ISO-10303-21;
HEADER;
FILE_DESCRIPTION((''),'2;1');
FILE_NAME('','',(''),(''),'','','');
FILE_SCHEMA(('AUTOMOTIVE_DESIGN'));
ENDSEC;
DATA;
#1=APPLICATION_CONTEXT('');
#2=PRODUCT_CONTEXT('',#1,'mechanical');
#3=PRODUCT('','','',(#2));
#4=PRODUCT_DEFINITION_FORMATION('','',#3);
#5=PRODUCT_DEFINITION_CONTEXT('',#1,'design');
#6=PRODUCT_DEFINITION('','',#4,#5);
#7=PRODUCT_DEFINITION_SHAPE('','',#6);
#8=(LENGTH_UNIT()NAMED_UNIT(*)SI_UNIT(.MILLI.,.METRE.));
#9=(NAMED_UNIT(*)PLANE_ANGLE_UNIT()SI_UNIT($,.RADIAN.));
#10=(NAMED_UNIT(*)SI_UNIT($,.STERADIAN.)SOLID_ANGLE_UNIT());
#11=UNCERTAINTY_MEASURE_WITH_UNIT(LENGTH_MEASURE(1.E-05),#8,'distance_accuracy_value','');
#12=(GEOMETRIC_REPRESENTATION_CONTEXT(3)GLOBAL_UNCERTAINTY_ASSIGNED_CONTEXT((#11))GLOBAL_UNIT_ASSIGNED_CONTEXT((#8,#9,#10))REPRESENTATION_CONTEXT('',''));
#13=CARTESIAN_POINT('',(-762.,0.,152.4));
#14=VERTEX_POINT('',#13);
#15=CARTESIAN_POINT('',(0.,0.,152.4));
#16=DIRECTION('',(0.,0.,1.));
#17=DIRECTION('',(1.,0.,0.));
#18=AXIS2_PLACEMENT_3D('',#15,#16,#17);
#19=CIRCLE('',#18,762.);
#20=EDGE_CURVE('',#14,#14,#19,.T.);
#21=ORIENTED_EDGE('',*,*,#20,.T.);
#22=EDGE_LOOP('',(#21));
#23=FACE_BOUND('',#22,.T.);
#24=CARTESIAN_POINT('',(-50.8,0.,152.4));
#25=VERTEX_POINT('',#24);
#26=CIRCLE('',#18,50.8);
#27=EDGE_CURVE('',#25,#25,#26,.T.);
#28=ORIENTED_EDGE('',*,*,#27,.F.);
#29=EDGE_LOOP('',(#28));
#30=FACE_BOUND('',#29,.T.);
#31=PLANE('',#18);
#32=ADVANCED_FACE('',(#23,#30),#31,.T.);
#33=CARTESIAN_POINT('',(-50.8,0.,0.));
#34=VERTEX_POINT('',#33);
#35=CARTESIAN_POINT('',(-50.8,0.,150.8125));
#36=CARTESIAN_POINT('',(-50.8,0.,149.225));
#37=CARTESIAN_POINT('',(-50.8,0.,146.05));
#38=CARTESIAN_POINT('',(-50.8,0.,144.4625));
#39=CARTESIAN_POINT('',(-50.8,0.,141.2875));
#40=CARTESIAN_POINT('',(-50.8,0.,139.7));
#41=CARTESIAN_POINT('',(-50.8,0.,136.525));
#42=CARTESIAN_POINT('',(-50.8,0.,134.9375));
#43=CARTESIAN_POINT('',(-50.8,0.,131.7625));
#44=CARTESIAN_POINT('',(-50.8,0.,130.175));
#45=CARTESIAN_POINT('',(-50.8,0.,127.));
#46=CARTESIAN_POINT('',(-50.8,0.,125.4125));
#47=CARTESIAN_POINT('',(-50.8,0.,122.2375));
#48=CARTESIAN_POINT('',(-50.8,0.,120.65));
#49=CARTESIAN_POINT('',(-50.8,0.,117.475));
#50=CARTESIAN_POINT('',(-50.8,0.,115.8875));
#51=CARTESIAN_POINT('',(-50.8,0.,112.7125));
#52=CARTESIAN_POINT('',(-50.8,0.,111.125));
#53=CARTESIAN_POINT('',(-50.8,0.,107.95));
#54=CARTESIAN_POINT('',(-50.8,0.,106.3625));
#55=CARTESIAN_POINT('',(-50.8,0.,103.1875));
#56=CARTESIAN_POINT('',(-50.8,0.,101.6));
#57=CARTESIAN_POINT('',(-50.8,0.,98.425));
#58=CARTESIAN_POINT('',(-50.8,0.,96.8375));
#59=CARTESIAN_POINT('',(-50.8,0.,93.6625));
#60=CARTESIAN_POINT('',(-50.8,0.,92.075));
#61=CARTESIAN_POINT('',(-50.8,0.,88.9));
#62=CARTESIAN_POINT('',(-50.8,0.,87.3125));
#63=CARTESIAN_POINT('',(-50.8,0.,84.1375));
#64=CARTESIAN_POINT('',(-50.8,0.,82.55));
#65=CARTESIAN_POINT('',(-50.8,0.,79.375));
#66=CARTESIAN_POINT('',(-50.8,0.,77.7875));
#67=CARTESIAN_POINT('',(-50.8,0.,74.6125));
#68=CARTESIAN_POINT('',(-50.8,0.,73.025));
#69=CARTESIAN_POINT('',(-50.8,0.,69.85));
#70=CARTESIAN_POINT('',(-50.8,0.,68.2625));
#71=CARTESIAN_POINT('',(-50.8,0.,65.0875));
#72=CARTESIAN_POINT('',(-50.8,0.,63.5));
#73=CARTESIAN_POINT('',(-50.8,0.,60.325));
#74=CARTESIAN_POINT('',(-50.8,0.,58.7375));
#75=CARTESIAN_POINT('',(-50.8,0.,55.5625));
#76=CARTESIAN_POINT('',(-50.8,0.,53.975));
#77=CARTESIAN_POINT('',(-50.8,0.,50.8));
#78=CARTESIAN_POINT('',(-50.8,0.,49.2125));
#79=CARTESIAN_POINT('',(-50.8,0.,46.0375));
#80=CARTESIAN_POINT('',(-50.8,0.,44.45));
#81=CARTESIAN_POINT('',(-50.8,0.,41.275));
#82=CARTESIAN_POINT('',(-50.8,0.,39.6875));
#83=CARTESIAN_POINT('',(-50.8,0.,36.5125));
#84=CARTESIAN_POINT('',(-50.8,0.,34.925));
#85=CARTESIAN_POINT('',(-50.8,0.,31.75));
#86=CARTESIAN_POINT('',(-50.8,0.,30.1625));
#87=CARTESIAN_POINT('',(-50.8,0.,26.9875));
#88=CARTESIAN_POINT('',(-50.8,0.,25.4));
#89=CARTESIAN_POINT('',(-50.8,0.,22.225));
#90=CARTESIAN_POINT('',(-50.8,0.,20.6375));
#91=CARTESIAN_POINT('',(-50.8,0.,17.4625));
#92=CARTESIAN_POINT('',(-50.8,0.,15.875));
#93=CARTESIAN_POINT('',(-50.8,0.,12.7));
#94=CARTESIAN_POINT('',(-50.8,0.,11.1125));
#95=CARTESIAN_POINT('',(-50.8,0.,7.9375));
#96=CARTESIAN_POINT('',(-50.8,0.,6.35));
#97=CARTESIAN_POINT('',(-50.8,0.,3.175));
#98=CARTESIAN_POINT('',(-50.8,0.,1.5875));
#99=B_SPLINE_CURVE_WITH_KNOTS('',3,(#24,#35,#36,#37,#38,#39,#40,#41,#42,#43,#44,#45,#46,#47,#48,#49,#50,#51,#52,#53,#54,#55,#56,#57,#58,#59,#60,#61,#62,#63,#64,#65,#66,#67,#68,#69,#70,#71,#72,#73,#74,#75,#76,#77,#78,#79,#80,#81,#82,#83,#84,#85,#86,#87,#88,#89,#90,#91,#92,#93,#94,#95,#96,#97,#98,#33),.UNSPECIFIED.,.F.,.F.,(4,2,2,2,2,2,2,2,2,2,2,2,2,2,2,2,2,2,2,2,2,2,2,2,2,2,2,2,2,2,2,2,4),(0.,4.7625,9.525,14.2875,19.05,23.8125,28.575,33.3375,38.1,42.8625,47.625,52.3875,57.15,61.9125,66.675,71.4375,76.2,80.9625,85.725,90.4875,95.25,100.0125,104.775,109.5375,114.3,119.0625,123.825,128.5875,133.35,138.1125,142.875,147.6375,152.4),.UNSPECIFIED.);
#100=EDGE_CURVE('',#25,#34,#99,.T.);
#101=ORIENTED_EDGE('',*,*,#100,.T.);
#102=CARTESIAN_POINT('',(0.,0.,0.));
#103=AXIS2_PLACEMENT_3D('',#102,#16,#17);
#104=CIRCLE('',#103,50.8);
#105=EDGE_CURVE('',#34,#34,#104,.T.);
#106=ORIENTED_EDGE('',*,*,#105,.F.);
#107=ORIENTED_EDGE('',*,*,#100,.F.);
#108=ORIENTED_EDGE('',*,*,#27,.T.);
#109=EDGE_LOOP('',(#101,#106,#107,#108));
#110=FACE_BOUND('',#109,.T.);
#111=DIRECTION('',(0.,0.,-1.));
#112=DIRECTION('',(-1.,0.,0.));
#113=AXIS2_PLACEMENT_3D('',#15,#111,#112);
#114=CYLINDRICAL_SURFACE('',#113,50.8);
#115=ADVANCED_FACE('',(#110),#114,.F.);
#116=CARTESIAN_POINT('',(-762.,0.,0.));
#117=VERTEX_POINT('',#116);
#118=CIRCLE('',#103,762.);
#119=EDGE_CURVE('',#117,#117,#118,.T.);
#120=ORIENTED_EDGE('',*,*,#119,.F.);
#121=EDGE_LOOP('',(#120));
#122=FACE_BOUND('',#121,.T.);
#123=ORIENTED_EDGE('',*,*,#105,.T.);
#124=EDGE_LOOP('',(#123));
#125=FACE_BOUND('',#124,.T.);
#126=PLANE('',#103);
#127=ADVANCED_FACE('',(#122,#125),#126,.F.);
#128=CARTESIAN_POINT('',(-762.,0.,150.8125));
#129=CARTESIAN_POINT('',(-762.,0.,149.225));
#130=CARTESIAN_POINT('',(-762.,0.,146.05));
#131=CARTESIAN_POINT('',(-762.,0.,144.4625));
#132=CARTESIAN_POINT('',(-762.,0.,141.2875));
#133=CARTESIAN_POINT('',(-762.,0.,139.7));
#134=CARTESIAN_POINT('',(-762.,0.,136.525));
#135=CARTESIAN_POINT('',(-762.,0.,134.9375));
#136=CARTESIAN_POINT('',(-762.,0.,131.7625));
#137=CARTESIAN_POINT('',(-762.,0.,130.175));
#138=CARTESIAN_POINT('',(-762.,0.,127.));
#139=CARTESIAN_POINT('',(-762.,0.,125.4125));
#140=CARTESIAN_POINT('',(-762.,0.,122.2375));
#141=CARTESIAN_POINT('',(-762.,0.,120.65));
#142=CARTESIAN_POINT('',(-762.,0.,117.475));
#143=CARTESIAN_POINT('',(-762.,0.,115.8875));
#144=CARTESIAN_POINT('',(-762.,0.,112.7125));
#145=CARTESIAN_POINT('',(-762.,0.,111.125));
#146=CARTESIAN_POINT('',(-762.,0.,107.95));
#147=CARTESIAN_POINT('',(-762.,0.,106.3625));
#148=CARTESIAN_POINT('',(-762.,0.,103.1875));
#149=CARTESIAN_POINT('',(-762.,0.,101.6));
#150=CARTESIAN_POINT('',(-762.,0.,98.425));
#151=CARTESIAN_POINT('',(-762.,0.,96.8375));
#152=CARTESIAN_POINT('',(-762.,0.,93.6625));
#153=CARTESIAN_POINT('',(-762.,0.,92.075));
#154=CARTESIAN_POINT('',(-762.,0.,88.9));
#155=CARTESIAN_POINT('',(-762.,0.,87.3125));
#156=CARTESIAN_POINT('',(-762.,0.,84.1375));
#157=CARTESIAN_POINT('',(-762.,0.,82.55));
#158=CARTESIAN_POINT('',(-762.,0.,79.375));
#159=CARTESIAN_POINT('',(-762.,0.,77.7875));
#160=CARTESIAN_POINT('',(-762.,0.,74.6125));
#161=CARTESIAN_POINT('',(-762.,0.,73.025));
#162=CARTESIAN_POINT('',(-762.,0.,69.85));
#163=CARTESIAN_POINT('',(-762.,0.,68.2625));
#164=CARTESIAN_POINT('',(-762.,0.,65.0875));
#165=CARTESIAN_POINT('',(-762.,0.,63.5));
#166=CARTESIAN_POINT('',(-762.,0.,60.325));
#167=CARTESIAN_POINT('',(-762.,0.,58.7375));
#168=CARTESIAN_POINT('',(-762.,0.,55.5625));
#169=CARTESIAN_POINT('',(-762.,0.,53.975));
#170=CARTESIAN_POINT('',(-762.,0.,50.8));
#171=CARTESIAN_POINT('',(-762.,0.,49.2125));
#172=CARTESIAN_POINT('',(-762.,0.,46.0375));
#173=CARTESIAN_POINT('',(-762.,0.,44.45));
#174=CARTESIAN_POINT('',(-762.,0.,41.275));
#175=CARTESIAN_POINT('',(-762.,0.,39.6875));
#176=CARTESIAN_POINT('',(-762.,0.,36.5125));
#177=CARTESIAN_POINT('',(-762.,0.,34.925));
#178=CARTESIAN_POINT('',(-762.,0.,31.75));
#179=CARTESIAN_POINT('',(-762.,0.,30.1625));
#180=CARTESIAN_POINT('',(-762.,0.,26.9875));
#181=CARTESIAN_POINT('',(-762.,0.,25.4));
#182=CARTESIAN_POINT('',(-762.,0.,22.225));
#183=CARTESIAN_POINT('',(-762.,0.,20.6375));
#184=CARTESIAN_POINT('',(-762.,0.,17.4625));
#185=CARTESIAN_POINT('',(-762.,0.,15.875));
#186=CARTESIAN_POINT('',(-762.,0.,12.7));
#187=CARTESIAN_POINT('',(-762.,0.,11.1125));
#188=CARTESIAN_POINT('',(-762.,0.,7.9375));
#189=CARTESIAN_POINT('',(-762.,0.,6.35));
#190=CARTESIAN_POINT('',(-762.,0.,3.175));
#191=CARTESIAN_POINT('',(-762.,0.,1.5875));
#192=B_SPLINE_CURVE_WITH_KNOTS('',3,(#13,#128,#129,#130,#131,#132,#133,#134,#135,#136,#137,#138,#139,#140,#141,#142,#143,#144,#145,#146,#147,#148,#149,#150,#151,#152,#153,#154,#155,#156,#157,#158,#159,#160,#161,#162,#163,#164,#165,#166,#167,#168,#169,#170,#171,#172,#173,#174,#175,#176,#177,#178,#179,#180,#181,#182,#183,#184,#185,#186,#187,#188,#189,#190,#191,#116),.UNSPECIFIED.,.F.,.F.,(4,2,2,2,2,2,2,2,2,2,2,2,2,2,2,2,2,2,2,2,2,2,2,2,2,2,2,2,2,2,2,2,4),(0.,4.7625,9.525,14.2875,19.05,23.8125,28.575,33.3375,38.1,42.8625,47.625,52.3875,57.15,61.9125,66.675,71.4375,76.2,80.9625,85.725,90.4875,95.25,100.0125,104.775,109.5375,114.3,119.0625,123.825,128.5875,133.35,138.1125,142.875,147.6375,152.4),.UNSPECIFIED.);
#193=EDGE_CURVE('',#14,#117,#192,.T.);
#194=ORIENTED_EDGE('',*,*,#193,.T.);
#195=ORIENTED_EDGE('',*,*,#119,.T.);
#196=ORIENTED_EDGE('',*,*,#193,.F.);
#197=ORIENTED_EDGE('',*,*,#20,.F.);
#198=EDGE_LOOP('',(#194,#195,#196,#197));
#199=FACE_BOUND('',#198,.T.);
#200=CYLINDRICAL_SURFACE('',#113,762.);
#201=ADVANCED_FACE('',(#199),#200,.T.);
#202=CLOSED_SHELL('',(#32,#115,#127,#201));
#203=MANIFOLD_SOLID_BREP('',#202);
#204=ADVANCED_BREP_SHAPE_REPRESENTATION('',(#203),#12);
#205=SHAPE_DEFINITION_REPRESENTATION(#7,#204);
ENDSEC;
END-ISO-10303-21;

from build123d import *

# Parameters (mm, degrees)
SKETCH1_R           = 762
SKETCH1_R_2         = 50.8
BOSS_EXTRUDE1_DEPTH = 152.4


with BuildPart() as part:
    # Sketch1 → Boss-Extrude1 (new body)
    with BuildSketch(Plane.XY):
        with Locations(Location((0, 0, 0), (0, 0, 180))):
            Circle(SKETCH1_R)
        with Locations(Location((0, 0, 0), (0, 0, 180))):
            Circle(SKETCH1_R_2, mode=Mode.SUBTRACT)
    extrude(amount=BOSS_EXTRUDE1_DEPTH)


solid = part.part
